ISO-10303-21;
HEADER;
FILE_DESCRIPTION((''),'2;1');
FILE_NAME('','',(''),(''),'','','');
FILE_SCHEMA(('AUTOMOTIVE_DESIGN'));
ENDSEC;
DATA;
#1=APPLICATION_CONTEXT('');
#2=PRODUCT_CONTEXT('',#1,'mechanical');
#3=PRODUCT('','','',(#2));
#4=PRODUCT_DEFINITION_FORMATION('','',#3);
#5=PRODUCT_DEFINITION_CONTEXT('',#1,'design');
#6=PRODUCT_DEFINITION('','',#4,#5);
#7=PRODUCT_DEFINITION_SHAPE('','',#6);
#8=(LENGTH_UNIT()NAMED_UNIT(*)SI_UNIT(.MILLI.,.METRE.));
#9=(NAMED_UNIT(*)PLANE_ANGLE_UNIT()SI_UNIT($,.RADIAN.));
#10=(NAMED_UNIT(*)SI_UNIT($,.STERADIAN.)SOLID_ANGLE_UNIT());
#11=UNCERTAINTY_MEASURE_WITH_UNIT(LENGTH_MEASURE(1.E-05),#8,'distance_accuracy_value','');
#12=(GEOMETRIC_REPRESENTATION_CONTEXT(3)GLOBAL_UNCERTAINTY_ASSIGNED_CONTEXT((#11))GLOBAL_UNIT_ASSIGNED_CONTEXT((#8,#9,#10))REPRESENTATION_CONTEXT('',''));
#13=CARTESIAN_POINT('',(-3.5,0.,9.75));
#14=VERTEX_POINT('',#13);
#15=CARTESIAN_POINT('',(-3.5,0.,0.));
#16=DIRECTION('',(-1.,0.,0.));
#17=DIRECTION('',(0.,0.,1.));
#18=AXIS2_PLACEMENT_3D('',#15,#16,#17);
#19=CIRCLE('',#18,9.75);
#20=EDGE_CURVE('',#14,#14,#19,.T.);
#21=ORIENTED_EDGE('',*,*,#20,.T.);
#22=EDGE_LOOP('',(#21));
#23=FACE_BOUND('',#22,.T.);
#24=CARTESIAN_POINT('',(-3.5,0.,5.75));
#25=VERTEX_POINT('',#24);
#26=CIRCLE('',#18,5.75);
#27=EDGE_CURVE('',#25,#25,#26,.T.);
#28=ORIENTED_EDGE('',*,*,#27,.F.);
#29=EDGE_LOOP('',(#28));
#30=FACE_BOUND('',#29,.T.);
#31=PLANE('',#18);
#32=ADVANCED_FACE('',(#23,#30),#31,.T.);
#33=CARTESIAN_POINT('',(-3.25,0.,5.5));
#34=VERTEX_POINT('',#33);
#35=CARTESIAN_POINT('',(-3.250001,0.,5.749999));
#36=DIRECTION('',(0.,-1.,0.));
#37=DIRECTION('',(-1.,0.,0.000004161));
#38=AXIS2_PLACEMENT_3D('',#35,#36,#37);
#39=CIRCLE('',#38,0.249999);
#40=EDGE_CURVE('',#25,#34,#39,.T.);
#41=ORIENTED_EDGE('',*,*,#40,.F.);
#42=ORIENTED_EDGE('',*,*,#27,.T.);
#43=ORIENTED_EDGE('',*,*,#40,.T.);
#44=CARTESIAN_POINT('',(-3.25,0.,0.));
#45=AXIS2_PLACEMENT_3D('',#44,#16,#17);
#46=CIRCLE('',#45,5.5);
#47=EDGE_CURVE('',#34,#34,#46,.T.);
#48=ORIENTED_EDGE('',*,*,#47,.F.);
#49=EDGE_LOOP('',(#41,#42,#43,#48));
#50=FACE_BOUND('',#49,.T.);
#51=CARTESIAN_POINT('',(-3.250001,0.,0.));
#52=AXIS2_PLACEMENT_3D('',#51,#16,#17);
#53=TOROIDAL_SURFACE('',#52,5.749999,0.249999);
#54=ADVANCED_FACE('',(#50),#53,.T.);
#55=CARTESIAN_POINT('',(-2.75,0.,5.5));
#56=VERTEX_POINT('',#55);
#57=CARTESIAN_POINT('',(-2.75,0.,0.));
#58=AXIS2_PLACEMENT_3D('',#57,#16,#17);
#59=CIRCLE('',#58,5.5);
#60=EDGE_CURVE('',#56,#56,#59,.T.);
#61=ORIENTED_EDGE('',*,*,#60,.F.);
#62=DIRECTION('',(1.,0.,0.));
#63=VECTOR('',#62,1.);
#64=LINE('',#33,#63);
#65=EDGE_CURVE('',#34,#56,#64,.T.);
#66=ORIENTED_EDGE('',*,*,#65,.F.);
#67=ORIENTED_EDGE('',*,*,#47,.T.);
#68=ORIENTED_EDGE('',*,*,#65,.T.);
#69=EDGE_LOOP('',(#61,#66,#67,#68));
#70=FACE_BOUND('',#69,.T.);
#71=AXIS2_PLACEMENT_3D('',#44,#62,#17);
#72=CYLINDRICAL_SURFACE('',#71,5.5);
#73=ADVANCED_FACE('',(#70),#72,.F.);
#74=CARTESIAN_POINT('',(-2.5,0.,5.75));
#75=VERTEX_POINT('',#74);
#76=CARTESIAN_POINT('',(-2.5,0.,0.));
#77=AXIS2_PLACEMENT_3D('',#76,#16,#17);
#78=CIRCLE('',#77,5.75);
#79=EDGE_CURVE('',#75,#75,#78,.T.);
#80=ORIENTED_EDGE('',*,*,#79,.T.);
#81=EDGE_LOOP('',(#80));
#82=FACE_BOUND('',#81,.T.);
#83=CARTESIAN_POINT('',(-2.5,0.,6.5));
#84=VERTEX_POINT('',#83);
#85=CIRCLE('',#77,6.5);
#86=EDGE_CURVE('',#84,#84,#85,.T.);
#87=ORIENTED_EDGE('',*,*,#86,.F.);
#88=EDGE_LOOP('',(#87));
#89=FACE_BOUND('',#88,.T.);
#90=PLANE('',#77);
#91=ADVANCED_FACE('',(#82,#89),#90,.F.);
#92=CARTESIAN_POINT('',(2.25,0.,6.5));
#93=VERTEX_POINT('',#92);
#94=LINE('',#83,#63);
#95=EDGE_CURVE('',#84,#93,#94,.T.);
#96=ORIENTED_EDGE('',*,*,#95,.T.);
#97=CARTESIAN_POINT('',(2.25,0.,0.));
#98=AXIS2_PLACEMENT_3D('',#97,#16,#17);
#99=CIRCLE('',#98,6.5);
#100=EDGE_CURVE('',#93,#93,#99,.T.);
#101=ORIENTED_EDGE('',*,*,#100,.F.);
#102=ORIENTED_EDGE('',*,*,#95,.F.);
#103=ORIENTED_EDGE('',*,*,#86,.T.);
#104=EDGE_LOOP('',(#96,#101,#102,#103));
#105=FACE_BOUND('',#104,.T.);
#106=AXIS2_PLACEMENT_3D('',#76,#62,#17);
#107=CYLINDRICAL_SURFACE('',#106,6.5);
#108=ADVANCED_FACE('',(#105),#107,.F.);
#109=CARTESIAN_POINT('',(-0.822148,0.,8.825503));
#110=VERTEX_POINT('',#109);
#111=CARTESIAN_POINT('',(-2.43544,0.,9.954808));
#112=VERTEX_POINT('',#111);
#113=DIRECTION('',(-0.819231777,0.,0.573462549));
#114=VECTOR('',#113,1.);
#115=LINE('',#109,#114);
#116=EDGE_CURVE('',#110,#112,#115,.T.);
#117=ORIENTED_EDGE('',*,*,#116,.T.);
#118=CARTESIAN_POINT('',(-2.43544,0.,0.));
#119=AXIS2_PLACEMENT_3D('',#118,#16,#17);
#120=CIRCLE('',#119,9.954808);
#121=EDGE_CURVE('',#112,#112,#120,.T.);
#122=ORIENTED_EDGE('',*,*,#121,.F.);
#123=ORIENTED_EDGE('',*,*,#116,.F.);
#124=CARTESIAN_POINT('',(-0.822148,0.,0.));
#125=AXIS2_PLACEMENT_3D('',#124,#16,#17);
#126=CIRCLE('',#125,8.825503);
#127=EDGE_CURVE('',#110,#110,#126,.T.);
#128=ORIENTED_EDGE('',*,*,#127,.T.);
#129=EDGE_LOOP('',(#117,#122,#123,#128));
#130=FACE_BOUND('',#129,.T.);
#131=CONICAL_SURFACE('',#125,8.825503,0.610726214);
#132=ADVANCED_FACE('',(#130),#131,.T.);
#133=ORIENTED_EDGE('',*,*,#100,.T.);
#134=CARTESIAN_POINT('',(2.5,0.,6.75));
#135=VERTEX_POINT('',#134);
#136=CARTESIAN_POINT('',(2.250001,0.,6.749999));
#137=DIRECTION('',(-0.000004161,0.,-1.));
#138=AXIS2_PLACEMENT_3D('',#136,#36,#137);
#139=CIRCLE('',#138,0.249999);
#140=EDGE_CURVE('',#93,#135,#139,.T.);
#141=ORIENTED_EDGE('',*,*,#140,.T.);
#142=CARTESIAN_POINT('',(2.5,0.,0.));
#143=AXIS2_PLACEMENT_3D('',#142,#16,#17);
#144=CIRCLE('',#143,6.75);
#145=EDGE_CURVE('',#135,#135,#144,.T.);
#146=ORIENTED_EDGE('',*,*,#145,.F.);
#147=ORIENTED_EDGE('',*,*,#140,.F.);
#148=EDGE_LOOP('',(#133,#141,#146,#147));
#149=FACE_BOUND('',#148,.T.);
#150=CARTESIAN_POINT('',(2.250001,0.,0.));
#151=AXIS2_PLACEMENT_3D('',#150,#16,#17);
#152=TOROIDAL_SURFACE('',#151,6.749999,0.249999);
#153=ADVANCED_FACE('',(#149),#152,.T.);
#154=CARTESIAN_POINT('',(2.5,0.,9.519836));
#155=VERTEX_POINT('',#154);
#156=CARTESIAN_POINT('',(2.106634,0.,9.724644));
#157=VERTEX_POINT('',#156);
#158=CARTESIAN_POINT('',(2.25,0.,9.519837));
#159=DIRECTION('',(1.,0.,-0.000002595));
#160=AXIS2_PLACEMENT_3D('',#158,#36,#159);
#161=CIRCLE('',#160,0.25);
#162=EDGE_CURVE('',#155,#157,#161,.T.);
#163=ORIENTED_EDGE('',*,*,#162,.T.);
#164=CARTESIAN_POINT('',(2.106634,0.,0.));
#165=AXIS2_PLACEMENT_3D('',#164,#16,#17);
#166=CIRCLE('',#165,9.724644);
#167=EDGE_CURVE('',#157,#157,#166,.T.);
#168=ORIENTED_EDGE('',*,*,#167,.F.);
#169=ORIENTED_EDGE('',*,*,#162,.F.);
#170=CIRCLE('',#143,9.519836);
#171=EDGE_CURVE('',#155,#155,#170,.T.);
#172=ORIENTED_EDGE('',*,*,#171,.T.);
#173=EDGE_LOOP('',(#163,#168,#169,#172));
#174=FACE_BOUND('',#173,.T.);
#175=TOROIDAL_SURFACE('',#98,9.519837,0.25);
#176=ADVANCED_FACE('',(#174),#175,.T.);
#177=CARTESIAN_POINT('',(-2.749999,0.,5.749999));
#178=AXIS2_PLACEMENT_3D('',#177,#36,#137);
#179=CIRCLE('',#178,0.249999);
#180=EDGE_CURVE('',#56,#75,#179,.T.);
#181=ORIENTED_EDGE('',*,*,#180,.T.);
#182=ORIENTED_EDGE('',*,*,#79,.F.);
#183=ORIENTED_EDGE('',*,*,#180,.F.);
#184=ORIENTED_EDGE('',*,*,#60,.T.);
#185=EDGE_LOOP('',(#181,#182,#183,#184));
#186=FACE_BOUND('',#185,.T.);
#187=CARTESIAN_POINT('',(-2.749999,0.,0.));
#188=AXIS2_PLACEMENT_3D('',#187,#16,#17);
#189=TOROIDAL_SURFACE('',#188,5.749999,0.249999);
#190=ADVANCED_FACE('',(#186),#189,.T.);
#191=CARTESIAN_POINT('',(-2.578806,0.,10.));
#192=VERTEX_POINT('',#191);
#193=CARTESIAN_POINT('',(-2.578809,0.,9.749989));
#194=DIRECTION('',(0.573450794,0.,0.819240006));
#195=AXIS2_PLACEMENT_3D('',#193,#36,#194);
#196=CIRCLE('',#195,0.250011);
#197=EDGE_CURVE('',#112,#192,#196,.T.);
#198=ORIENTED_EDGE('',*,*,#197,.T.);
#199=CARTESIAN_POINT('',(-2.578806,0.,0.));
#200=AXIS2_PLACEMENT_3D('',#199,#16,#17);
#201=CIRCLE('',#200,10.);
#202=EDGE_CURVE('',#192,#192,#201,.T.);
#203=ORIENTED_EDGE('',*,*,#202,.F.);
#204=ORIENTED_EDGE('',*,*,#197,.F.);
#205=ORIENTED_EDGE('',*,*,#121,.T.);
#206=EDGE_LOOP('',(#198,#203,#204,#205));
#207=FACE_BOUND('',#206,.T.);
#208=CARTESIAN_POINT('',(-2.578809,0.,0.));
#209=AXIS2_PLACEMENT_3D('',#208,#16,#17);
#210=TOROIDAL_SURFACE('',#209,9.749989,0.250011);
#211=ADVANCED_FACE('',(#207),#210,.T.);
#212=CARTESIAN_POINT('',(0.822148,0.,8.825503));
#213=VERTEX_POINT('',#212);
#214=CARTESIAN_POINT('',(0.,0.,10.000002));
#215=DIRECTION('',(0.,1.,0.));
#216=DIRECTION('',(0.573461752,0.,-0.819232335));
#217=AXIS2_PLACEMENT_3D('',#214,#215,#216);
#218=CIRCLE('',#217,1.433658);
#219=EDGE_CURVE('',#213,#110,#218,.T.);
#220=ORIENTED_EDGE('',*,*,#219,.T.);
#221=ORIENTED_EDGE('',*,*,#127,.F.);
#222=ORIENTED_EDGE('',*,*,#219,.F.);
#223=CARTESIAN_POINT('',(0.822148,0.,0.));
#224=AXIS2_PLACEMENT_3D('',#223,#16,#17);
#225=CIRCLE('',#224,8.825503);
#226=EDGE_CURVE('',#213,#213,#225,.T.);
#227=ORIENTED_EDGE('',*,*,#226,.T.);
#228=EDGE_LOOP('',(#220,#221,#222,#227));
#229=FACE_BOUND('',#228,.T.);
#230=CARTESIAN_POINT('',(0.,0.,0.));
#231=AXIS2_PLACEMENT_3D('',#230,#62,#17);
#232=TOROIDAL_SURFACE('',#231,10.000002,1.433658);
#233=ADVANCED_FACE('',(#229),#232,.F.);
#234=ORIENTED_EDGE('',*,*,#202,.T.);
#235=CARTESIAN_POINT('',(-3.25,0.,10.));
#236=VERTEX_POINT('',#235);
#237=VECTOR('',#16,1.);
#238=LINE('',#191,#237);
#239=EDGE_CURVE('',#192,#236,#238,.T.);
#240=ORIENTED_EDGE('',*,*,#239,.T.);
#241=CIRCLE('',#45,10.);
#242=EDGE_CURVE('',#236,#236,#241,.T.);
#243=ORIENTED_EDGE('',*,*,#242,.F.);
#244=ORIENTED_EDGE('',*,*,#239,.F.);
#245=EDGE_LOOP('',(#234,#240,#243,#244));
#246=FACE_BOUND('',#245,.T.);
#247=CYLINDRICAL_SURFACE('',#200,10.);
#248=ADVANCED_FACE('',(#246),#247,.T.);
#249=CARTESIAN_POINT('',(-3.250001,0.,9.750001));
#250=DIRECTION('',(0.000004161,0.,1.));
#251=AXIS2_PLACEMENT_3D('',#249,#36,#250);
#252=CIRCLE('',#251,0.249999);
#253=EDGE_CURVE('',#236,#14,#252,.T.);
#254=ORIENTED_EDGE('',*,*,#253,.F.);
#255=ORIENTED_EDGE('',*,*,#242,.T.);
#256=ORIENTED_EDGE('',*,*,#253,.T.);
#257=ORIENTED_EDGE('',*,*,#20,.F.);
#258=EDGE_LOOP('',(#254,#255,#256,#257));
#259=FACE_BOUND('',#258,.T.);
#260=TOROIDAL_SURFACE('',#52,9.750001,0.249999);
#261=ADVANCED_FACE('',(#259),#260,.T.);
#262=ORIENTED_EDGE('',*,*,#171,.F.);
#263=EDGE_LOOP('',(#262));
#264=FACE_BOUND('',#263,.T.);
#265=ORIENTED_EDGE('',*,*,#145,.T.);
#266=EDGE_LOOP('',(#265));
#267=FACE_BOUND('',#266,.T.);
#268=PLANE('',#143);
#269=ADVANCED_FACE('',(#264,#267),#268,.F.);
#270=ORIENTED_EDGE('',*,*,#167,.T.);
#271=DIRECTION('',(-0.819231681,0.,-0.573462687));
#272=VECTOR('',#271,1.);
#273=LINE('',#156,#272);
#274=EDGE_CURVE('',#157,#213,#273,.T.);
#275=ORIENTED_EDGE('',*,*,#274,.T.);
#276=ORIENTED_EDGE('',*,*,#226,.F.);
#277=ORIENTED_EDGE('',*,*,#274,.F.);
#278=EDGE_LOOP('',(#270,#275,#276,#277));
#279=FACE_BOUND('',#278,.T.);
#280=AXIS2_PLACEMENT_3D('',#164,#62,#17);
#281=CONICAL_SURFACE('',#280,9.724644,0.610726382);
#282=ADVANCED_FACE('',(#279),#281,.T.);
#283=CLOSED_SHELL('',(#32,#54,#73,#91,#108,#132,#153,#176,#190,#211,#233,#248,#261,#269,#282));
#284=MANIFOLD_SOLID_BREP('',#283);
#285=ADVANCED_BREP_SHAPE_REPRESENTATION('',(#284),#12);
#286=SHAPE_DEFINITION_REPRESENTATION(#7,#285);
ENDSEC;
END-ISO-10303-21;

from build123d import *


with BuildPart() as f1:
    # F0 (on Front) → F1 (revolve)
    with BuildSketch(Plane.XZ):
        with BuildLine():
            Line((-2.5, 5.75), (-2.5, 6.5))
            Line((-2.5, 6.5), (2.25, 6.5))
            ThreePointArc((2.25, 6.5), (2.426777, 6.573223), (2.5, 6.75))
            Line((2.5, 6.75), (2.5, 9.519836))
            ThreePointArc((2.5, 9.519836), (2.365453, 9.741581), (2.106634, 9.724644))
            Line((2.106634, 9.724644), (0.822148, 8.825503))
            ThreePointArc((0.822148, 8.825503), (0, 8.566344), (-0.822148, 8.825503))
            Line((-0.822148, 8.825503), (-2.43544, 9.954808))
            ThreePointArc((-2.43544, 9.954808), (-2.503646, 9.988434), (-2.578806, 10))
            Line((-2.578806, 10), (-3.25, 10))
            ThreePointArc((-3.25, 10), (-3.426777, 9.926777), (-3.5, 9.75))
            Line((-3.5, 9.75), (-3.5, 5.75))
            ThreePointArc((-3.5, 5.75), (-3.426777, 5.573223), (-3.25, 5.5))
            Line((-3.25, 5.5), (-2.75, 5.5))
            ThreePointArc((-2.75, 5.5), (-2.573223, 5.573223), (-2.5, 5.75))
        make_face()
    revolve(axis=Axis((0, 0, 0), (-1, 0, 0)))


solid = f1.part
